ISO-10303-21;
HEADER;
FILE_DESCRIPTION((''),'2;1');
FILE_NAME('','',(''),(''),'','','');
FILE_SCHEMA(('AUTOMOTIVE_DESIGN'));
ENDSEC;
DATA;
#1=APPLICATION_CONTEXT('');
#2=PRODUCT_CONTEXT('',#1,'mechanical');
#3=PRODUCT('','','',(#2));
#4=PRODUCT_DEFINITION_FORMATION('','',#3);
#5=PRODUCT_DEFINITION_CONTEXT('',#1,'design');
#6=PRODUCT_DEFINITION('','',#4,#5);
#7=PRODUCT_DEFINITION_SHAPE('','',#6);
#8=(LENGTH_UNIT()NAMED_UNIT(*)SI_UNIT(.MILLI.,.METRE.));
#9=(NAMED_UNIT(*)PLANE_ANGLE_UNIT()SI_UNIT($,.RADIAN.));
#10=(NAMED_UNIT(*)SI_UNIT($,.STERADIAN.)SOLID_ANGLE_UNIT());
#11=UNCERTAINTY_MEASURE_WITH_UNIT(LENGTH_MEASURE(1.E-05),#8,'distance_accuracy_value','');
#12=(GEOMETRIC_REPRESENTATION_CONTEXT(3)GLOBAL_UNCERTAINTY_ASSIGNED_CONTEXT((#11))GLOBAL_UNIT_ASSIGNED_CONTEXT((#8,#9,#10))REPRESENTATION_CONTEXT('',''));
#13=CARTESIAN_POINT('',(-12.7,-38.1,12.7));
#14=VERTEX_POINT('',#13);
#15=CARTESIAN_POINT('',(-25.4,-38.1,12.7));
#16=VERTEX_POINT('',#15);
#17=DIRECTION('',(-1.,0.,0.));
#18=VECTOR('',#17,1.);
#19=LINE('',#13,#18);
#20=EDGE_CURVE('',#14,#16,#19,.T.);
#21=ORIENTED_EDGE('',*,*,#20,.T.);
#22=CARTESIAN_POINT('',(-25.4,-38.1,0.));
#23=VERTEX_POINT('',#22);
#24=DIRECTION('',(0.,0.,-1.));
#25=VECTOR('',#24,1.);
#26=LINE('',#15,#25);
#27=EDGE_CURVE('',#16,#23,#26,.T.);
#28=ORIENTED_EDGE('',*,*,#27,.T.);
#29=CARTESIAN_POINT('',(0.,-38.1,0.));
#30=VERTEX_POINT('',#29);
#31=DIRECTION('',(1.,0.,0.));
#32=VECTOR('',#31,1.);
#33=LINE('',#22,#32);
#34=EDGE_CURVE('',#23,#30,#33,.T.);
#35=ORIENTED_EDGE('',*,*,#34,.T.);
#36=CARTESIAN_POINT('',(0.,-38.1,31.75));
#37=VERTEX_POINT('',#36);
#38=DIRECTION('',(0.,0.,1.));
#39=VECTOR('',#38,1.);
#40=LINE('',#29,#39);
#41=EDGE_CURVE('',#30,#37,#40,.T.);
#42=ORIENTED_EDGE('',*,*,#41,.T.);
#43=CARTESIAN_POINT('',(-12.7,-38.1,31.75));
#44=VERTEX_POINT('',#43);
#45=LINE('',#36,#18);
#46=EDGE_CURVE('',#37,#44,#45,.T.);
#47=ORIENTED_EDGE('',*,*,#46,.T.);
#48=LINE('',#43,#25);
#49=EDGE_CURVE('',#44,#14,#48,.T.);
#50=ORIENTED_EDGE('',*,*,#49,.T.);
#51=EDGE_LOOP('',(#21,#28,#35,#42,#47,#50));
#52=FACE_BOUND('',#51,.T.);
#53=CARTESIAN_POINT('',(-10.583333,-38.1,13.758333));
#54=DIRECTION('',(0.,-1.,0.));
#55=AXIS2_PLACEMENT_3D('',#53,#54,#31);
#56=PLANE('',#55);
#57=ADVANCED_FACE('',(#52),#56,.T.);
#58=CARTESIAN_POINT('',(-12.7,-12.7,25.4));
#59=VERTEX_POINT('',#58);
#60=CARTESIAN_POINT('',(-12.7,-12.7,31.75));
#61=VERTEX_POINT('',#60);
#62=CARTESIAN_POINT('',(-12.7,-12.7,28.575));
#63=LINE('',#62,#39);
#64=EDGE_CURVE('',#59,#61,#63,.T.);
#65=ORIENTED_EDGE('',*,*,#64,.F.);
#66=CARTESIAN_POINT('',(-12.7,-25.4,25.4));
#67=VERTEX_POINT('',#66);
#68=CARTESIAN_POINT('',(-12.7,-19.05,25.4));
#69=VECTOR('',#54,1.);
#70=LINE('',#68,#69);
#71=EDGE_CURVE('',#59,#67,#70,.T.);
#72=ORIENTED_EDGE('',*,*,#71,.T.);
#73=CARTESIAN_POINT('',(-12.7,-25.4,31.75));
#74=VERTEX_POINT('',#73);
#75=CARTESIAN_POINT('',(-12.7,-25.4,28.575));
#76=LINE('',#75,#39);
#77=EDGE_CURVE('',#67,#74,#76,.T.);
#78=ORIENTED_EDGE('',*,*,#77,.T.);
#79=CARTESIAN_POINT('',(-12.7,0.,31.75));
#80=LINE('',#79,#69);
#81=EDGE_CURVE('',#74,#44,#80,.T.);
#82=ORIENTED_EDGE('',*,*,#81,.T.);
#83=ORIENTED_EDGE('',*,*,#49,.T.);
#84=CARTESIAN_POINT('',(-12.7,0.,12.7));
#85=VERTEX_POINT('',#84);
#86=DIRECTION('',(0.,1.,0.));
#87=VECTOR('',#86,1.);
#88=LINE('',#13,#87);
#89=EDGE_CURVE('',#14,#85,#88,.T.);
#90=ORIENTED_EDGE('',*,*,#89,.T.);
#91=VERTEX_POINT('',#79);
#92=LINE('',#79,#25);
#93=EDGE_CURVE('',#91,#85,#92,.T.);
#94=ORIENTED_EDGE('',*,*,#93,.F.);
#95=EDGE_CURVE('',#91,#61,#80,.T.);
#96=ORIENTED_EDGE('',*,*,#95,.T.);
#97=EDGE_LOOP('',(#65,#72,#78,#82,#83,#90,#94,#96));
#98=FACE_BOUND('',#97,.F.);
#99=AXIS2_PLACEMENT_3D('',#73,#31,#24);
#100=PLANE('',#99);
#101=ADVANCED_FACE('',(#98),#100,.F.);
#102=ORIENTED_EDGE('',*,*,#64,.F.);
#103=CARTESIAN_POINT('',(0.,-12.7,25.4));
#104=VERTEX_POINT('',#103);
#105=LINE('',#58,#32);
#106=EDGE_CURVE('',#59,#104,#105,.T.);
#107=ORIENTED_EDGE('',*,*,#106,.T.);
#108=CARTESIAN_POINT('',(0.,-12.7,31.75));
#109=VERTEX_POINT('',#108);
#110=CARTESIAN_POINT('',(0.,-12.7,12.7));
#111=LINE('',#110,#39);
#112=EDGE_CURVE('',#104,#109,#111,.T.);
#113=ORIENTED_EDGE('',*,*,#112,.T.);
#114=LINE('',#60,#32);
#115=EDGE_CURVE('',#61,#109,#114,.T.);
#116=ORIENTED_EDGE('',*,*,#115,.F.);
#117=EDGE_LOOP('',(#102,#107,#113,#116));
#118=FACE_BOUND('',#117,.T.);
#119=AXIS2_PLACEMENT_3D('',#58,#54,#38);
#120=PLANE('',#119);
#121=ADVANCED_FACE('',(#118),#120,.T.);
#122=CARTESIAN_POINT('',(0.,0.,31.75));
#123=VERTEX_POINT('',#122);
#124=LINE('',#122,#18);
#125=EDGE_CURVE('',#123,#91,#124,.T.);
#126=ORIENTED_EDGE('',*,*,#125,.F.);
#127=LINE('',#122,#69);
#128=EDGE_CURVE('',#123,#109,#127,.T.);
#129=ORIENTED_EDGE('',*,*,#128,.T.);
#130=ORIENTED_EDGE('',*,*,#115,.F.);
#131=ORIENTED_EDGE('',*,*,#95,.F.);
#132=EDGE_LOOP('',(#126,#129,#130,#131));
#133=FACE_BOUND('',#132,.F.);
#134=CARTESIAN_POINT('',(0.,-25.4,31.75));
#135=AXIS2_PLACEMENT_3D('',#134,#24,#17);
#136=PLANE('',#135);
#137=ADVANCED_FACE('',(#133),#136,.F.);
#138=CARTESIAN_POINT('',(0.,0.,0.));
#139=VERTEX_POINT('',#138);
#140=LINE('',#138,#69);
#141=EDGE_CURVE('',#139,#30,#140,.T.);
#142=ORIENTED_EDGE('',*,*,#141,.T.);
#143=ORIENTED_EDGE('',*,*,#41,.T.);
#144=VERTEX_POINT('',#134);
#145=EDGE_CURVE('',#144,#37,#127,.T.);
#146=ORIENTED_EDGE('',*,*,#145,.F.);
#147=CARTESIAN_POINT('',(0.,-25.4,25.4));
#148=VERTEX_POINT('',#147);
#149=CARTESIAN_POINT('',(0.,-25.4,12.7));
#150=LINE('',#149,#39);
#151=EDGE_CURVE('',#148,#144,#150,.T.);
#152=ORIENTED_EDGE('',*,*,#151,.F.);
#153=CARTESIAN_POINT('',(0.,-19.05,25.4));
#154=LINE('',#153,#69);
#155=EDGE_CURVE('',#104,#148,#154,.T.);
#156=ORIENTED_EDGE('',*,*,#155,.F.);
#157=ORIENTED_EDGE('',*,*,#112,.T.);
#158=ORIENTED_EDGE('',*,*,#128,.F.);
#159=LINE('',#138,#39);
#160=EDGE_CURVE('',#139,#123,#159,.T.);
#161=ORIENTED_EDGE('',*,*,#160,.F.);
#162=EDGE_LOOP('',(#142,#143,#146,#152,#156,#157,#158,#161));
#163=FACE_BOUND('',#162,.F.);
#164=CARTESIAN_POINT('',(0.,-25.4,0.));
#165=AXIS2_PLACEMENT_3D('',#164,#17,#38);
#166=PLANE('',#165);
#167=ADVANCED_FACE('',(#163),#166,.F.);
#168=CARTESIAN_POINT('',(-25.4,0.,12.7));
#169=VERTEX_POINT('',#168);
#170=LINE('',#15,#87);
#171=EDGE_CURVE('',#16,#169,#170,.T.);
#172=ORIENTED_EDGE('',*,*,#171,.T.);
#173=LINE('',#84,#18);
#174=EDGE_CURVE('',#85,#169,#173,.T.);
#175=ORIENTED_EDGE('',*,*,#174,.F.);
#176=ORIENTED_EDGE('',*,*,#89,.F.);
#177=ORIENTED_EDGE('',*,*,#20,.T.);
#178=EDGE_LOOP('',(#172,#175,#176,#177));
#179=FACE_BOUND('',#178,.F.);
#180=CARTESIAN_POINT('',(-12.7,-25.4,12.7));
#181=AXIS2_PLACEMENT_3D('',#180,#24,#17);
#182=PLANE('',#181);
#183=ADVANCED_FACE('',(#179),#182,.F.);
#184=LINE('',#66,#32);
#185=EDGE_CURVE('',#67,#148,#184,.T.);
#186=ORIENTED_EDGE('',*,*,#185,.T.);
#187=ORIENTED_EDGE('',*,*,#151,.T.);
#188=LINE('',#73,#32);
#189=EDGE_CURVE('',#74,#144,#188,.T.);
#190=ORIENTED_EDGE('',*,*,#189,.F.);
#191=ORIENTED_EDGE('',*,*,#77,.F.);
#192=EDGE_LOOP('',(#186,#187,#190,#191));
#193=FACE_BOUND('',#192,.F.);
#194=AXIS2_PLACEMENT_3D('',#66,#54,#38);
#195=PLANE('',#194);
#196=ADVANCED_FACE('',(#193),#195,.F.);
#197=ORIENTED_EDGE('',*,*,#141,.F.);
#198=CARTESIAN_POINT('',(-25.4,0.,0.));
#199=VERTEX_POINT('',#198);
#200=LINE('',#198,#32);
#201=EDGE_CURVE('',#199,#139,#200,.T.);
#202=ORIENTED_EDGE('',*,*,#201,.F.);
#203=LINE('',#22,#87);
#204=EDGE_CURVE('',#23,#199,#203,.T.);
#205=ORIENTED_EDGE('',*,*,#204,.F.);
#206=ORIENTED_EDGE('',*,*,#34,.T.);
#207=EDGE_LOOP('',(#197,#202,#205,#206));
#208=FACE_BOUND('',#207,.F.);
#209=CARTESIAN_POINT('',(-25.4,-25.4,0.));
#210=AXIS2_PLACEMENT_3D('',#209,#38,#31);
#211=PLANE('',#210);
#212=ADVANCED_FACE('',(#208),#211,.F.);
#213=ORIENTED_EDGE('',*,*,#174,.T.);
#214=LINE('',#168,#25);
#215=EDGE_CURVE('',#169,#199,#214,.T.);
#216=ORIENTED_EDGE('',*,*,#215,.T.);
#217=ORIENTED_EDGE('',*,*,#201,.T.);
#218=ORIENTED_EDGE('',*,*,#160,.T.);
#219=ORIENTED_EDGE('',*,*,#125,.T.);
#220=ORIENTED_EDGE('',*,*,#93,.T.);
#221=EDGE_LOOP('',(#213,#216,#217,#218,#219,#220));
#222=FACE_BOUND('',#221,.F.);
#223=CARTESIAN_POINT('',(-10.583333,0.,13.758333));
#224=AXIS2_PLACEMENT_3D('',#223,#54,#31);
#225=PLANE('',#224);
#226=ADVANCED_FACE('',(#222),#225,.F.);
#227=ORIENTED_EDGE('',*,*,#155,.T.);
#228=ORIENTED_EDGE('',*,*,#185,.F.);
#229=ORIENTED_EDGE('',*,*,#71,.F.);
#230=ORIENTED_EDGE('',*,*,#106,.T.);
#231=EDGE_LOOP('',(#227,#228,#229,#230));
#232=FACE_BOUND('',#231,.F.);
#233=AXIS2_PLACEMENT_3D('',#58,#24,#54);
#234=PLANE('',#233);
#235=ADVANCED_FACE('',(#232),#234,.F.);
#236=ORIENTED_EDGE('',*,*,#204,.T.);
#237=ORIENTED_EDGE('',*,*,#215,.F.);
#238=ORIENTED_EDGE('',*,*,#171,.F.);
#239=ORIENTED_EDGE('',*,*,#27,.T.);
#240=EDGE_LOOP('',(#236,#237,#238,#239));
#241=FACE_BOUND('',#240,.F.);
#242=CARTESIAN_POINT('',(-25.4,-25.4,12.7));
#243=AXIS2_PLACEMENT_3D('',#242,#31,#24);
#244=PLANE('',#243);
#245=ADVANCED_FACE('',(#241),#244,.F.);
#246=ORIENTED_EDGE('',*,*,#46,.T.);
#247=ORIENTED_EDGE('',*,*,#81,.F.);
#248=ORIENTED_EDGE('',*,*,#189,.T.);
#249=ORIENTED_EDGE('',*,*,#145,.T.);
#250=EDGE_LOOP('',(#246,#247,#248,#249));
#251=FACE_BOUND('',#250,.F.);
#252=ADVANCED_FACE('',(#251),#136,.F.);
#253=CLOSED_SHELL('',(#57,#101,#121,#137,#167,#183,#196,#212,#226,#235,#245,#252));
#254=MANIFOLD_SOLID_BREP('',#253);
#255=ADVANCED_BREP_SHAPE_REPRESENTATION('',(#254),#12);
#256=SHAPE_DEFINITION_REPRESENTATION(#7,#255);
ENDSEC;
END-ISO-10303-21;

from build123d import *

# Parameters (mm, degrees)
F1_DEPTH = 25.4
F3_DEPTH = 12.7
F2_W     = 12.7
F2_H     = 6.35
F4_DEPTH = 12.701


with BuildPart() as f1:
    # F0 (on Front) → F1 (new body)
    with BuildSketch(Plane.XZ):
        Polygon((-25.4, 0), (0, 0), (0, 31.75), (-12.7, 31.75), (-12.7, 12.7), (-25.4, 12.7), align=None)
    extrude(amount=F1_DEPTH)

    # F3 (add): a face of the model
    f3_faces = [f1.faces().sort_by_distance(p)[0] for p in [
        (-9.9785714286, -25.4, 13.1535714286),
    ]]
    extrude(f3_faces, amount=F3_DEPTH)

    # F2 (on face) → F4 (cut, through all)
    with BuildSketch(Plane(origin=(-12.7, 0, 0), x_dir=(0, -1, 0), z_dir=(-1, 0, 0))):
        with Locations((19.05, 28.575)):
            Rectangle(F2_W, F2_H)
    extrude(amount=-F4_DEPTH, mode=Mode.SUBTRACT)


solid = f1.part
